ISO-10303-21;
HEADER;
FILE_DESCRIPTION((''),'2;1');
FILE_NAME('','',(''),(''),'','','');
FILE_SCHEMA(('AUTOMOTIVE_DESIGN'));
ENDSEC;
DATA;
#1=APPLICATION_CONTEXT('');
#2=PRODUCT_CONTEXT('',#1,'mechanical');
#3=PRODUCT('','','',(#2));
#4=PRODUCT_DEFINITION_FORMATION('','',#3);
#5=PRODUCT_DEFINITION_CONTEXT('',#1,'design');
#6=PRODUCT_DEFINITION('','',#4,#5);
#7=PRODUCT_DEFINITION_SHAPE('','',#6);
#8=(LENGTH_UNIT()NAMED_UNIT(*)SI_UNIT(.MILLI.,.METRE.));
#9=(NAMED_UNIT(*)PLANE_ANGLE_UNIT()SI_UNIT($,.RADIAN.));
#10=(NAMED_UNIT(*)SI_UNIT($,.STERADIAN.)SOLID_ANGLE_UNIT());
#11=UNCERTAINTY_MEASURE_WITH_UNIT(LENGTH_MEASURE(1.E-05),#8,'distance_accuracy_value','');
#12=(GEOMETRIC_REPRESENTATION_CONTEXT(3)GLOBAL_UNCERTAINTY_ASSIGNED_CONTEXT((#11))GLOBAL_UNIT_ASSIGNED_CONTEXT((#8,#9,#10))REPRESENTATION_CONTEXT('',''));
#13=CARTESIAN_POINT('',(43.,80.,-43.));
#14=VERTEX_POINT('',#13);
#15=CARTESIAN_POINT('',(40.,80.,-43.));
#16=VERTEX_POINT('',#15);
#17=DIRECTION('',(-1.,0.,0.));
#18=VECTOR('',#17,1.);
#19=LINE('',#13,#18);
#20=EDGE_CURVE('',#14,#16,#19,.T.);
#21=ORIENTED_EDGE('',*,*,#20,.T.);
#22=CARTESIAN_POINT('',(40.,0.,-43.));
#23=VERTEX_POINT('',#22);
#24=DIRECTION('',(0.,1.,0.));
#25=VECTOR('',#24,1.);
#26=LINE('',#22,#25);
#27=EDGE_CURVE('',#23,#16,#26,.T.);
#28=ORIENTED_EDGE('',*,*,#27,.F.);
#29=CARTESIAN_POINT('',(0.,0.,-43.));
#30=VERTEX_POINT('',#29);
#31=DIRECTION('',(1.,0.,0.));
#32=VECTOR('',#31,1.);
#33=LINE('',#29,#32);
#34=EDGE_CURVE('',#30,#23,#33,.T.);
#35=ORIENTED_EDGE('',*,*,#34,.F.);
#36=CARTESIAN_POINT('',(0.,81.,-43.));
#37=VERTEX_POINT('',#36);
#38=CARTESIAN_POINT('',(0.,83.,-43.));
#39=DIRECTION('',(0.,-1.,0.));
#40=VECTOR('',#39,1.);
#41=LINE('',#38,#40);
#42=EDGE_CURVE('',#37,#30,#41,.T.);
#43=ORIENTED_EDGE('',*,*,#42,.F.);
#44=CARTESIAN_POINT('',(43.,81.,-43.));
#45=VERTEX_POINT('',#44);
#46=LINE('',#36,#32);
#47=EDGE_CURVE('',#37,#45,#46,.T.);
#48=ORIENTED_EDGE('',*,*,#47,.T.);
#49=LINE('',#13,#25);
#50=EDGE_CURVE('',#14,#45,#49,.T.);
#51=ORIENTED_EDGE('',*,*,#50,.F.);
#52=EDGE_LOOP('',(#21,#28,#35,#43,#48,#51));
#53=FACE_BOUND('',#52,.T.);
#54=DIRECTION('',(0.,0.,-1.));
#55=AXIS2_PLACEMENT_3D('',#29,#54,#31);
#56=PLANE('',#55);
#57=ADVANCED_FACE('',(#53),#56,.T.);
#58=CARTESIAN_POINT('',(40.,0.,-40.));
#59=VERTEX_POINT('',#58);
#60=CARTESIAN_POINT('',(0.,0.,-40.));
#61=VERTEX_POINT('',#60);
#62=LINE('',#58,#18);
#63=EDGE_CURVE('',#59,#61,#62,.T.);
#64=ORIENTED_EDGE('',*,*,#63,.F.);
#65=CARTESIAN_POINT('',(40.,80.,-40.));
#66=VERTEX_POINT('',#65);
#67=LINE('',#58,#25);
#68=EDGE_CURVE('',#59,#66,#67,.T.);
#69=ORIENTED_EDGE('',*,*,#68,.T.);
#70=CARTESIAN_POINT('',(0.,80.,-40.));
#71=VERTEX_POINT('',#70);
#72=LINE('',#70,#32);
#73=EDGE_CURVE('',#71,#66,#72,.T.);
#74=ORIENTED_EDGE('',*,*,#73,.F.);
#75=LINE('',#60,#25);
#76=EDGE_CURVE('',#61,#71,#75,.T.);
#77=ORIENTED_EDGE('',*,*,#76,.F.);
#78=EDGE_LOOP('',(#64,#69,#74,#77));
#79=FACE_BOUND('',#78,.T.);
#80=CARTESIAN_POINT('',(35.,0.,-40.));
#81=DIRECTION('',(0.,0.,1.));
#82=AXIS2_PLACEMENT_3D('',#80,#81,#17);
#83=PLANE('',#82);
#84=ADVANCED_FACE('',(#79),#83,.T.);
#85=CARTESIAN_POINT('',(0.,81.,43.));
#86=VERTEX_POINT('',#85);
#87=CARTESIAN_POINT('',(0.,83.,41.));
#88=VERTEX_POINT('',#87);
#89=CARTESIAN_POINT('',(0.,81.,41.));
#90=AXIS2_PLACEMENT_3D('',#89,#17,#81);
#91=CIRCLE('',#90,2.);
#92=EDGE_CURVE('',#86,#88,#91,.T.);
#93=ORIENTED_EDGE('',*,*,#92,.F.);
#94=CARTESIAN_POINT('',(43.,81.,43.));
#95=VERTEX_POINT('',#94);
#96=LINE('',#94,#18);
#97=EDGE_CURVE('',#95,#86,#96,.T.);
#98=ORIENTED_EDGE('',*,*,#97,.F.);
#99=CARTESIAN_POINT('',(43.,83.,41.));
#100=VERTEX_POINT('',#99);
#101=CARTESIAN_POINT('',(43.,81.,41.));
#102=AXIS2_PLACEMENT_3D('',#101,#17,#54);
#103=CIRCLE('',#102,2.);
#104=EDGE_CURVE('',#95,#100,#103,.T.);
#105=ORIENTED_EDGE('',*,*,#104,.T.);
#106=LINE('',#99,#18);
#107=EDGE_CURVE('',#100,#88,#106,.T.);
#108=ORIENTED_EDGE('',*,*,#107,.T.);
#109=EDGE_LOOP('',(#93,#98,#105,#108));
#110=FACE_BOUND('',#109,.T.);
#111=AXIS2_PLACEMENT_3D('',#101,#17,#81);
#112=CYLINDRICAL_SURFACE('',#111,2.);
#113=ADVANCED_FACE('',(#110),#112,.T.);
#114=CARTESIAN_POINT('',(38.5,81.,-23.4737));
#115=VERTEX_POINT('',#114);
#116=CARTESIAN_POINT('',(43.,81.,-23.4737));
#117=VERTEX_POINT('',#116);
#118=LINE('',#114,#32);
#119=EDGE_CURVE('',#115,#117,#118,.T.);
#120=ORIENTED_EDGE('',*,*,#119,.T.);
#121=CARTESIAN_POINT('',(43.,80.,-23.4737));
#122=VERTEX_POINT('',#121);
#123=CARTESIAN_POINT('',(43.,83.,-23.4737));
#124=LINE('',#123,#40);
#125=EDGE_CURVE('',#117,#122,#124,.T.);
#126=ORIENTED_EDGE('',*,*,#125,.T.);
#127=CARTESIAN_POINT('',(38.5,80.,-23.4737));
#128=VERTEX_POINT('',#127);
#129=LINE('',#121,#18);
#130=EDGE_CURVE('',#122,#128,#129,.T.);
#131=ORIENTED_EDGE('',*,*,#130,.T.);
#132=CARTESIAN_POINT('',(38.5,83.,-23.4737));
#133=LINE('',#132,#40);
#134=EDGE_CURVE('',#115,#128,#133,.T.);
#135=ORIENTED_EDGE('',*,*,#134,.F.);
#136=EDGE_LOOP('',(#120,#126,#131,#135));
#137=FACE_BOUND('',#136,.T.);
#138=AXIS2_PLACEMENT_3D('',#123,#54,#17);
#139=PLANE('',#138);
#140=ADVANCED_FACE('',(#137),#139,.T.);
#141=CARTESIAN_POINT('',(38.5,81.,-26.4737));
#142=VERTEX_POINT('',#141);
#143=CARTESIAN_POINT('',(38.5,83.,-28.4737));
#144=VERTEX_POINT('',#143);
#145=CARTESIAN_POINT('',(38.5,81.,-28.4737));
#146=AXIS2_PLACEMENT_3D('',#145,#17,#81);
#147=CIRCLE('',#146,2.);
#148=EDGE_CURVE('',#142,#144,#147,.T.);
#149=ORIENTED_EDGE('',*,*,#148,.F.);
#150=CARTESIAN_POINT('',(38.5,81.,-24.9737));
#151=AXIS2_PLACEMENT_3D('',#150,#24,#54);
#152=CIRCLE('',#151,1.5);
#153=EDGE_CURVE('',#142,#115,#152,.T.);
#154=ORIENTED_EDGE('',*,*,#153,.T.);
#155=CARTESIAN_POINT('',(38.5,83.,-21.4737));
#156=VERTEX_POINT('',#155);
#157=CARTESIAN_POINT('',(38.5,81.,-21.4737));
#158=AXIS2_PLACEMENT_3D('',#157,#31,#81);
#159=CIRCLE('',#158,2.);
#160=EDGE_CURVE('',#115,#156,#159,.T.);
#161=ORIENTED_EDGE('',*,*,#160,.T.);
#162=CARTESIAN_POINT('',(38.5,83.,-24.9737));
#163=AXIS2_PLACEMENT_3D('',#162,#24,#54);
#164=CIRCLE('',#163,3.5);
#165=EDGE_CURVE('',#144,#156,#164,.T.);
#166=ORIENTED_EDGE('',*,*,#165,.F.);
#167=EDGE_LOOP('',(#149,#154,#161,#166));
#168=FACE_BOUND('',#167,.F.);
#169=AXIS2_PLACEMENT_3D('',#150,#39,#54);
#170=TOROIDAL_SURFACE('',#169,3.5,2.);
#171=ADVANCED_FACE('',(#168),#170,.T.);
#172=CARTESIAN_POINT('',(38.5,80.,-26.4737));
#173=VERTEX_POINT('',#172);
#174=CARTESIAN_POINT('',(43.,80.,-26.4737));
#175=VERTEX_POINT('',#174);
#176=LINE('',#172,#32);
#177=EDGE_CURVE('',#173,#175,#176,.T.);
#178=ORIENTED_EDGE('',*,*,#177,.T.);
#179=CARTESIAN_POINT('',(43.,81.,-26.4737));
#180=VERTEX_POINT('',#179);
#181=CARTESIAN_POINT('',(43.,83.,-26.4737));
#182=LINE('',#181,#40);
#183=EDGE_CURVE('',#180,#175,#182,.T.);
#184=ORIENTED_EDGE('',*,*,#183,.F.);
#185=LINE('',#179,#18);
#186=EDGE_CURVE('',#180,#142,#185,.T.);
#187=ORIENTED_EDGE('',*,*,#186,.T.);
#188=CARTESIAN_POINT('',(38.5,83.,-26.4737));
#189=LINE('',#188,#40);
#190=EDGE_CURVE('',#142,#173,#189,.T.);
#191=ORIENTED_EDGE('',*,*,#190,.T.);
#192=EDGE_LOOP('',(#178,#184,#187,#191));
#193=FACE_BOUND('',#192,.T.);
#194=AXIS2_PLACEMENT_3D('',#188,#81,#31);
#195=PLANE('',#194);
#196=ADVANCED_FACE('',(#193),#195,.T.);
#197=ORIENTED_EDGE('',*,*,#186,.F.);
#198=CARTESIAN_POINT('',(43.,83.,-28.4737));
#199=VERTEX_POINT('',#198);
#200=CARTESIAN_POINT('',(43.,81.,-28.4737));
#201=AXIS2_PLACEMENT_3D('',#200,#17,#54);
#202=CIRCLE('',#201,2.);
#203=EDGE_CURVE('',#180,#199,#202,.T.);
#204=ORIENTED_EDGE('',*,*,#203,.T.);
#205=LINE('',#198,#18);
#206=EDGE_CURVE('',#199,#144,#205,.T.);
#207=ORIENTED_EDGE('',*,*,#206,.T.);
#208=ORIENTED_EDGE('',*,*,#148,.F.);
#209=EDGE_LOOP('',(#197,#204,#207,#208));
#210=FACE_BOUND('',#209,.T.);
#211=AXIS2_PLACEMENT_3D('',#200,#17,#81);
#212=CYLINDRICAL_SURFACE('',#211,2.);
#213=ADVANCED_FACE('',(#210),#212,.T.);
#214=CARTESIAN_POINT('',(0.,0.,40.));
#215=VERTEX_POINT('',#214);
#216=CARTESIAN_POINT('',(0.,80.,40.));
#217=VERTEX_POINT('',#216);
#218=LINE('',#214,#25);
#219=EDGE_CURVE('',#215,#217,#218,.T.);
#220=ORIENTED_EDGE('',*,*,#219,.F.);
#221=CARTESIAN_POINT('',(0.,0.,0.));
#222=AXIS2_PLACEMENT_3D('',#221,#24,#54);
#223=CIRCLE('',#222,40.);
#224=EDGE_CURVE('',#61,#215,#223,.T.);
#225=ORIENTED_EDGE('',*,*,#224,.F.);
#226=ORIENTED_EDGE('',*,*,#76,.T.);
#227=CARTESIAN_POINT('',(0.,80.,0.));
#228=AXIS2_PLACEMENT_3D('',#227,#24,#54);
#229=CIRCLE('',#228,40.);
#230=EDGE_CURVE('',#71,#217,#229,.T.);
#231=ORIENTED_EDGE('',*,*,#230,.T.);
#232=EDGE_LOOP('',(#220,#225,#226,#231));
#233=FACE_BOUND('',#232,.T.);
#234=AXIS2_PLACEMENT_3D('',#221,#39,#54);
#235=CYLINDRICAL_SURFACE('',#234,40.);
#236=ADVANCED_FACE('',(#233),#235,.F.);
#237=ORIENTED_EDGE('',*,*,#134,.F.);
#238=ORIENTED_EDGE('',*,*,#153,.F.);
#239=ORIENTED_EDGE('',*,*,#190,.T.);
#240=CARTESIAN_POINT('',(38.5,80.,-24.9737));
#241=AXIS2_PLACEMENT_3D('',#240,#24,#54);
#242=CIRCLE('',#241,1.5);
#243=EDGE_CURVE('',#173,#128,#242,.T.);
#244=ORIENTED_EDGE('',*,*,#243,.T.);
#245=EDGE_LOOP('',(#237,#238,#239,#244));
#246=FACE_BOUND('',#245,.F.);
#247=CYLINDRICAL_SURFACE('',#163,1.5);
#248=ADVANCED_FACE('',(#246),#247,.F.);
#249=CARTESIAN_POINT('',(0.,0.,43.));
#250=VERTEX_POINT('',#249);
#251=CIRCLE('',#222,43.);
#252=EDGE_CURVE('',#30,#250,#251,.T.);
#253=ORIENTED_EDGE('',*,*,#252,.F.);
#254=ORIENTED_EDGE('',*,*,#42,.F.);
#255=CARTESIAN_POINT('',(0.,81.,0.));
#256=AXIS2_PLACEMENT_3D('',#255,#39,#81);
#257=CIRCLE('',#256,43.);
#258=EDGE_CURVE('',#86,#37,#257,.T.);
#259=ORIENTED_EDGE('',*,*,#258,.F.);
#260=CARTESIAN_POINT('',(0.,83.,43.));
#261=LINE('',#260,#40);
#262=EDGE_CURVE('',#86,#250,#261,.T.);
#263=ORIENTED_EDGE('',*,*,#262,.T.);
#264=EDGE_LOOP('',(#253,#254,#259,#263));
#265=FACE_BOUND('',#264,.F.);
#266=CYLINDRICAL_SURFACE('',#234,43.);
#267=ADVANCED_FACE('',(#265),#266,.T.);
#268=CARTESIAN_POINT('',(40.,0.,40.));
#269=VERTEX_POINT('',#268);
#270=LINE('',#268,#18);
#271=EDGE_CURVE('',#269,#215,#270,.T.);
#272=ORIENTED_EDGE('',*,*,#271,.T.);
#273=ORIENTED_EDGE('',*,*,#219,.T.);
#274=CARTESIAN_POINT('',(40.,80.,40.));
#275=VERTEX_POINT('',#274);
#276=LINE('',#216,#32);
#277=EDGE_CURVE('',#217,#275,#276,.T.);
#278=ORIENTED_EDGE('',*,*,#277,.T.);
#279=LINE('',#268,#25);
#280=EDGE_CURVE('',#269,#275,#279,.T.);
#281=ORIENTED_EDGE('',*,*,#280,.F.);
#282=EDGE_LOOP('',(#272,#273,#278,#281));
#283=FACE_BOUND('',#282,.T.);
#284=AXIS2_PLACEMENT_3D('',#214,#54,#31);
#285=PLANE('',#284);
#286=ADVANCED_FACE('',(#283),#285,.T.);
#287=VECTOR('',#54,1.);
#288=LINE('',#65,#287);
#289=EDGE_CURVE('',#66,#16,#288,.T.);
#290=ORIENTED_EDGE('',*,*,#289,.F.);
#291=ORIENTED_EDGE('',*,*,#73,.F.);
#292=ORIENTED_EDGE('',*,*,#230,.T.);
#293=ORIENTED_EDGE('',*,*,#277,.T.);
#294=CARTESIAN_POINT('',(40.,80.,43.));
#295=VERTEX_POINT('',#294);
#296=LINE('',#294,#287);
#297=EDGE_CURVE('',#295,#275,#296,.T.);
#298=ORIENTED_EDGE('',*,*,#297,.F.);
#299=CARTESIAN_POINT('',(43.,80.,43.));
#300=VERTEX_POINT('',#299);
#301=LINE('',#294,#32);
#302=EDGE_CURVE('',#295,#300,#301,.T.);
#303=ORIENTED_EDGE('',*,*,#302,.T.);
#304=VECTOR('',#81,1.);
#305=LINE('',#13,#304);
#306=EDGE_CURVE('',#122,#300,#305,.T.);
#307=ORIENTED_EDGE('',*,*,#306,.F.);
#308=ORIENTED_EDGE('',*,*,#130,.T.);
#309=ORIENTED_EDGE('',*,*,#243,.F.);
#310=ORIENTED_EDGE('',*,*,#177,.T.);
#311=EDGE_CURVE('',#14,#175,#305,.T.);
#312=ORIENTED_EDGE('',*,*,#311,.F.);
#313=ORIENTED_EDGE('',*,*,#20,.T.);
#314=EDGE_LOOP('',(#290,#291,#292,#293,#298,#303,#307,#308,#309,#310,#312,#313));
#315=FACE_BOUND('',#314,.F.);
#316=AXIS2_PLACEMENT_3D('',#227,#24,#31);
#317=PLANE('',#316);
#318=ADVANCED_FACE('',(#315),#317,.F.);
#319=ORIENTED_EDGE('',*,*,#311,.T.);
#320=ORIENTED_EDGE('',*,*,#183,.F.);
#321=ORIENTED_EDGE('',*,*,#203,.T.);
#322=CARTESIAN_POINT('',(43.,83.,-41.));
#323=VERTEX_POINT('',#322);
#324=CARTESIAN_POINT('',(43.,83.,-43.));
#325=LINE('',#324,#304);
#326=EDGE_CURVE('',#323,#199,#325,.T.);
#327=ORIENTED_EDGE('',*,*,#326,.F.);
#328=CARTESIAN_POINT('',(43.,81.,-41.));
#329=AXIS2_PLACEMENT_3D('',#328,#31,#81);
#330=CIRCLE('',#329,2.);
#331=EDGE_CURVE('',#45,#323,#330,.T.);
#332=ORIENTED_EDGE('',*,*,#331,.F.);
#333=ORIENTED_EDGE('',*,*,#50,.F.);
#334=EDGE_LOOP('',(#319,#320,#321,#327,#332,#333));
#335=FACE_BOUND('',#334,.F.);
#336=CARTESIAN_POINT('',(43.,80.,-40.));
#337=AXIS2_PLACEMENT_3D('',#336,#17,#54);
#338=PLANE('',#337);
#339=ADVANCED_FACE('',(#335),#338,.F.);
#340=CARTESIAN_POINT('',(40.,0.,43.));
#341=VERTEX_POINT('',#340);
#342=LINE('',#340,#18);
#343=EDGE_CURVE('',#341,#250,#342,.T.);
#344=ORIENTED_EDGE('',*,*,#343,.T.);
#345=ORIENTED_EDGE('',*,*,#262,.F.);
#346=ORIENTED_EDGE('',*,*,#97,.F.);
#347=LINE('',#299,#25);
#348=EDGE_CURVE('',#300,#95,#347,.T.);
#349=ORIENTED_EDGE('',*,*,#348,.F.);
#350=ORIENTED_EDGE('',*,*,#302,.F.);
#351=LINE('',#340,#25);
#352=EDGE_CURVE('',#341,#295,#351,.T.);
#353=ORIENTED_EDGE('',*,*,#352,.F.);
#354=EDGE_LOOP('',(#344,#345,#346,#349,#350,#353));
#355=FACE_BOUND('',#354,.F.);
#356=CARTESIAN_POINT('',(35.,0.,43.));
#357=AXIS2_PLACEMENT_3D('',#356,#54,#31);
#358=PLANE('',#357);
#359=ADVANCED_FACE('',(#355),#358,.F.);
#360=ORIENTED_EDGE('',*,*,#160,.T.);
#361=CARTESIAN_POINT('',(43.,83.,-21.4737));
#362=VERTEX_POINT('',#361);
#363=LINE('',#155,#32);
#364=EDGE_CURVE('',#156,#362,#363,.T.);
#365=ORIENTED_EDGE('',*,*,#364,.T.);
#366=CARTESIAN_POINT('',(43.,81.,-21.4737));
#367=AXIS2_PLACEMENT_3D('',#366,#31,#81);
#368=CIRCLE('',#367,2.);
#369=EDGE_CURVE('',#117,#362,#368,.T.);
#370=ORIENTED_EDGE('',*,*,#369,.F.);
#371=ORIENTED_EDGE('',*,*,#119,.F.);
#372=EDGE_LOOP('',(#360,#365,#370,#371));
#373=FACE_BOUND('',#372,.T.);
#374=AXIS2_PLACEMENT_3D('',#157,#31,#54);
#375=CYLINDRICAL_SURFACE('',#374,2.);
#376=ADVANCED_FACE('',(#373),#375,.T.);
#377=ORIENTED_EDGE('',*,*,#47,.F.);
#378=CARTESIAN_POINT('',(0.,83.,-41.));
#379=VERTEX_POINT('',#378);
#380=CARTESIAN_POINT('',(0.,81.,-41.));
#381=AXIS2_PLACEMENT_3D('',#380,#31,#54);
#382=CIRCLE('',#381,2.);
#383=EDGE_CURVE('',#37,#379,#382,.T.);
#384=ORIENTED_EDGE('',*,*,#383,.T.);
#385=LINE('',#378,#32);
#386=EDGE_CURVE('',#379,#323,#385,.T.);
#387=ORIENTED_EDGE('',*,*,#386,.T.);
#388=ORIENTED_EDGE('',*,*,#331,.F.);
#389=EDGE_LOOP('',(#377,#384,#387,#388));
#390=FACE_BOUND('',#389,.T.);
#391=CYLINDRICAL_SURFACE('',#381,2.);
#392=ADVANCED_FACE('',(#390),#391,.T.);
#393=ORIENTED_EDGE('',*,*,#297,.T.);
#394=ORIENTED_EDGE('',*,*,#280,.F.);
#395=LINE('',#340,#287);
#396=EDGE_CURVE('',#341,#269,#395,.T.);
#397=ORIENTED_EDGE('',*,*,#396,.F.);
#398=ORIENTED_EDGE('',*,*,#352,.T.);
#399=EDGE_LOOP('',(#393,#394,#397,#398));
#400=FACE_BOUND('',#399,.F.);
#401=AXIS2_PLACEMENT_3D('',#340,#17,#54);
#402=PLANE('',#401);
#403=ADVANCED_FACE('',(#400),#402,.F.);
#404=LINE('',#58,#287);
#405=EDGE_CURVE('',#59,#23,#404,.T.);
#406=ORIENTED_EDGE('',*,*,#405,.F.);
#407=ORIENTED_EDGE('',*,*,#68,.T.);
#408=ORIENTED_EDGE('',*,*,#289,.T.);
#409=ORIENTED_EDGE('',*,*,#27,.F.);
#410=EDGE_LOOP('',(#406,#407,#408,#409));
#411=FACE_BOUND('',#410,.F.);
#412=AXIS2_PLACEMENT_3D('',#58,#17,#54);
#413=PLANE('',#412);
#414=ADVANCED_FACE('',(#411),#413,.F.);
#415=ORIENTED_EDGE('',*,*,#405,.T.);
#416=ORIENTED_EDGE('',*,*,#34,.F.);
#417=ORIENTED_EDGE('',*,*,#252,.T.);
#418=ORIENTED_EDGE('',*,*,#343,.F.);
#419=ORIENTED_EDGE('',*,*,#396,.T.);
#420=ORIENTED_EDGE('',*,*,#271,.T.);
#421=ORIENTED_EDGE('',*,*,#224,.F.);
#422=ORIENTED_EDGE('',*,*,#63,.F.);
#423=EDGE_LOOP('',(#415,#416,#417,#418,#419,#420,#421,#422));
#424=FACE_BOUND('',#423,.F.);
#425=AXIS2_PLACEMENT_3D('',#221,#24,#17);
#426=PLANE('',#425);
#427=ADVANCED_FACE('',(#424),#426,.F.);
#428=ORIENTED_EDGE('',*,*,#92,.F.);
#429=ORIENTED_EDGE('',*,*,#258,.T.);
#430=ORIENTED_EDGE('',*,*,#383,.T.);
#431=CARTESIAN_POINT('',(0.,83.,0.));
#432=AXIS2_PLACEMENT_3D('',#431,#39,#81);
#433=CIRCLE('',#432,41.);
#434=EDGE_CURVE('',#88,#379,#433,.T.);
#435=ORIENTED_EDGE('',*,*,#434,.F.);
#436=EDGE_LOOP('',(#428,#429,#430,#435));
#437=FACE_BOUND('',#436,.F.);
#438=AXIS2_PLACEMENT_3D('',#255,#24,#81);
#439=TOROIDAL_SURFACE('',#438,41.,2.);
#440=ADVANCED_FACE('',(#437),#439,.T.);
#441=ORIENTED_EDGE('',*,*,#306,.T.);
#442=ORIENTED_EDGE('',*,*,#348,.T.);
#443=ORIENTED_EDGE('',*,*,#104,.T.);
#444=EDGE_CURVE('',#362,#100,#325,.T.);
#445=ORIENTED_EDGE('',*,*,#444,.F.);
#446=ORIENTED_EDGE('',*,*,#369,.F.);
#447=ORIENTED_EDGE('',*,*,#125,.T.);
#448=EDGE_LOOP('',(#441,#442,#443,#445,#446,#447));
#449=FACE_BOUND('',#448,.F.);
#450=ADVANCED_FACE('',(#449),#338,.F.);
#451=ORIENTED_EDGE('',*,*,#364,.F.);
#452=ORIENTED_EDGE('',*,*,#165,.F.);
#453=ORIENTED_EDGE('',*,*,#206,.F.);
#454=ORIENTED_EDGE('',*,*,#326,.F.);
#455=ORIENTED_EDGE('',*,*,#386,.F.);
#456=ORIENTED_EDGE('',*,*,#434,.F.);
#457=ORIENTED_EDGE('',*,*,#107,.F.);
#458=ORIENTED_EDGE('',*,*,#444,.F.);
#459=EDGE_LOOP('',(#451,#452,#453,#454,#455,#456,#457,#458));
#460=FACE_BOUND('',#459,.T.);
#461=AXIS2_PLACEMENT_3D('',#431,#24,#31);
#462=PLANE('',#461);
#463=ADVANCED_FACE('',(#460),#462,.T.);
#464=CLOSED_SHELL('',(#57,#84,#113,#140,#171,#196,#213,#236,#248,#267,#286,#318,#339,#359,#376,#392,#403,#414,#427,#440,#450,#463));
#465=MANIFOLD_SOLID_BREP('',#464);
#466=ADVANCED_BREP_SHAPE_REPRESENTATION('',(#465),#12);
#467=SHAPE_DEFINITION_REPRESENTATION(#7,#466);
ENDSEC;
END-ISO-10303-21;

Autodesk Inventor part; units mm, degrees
ref_plane "YZ Plane" through (0, 0, 0) normal (1, 0, 0) x (0, 1, 0)
ref_plane "XZ Plane" through (0, 0, 0) normal (0, 1, 0) x (-1, 0, 0)
ref_plane "XY Plane" through (0, 0, 0) normal (0, 0, 1) x (1, 0, 0)
sketch "Sketch1" plane through (0, 0, 0) normal (0, 1, 0) x (-1, 0, 0)
  line L0 (0, 40) -> (-35, 40)
  line L1 (-35, -40) -> (0, -40)
  arc A0 (0, -40) -> (0, 40) centre (0, 0) ccw
  line L2 (-35, 43) -> (0, 43)
  arc A1 (0, -43) -> (0, 43) centre (0, 0) ccw
  line L3 (0, -43) -> (-35, -43)
  line L4 (-35, 43) -> (-40, 43)
  line L5 (-40, 43) -> (-40, 40)
  line L6 (-40, 40) -> (-35, 40)
  line L7 (-35, -40) -> (-40, -40)
  line L8 (-40, -40) -> (-40, -43)
  line L9 (-40, -43) -> (-35, -43)
  dimension "d7" = 3
extrude "Extrusion1" add sketch "Sketch1" along normal blind 80
sketch "Sketch2" plane through (0, 80, 0) normal (0, 1, 0) x (1, 0, 0)
  line L0 (40, 43) -> (0, 43) projected
  arc A0 (0, 43) -> (0, -43) centre (0, 0) ccw projected
  line L1 (0, -43) -> (40, -43) projected
  line L2 (40, -43) -> (43, -43)
  line L3 (43, -43) -> (43, -40)
  line L4 (0, 40) -> (40, 40) projected
  line L5 (43, 40) -> (43, 43)
  line L6 (43, 43) -> (40, 43)
  line L7 (43, -40) -> (43, 40)
extrude "Extrusion2" add sketch "Sketch2" along normal blind 3
sketch "Sketch3" plane through (0, 83, 0) normal (0, 1, 0) x (1, 0, 0)
  line L0 (43, -43) -> (43, 43) projected
  line L1 (43, 23.4737) -> (38.5, 23.4737)
  line L2 (38.5, 26.4737) -> (43, 26.4737)
  line L3 (43, 26.4737) -> (43, 23.4737)
  arc A0 (38.5, 26.4737) -> (38.5, 23.4737) centre (38.5, 24.9737) ccw
extrude "Extrusion3" cut sketch "Sketch3" against normal blind 3
fillet "Fillet1" radius 2 6 edges at (21.5, 83, 43) (21.5, 83, -43) (-43, 83, 0) (37, 83, -24.9737) (40.75, 83, -26.4737) (40.75, 83, -23.4737)
properties part number "Telo_3DPrint"
